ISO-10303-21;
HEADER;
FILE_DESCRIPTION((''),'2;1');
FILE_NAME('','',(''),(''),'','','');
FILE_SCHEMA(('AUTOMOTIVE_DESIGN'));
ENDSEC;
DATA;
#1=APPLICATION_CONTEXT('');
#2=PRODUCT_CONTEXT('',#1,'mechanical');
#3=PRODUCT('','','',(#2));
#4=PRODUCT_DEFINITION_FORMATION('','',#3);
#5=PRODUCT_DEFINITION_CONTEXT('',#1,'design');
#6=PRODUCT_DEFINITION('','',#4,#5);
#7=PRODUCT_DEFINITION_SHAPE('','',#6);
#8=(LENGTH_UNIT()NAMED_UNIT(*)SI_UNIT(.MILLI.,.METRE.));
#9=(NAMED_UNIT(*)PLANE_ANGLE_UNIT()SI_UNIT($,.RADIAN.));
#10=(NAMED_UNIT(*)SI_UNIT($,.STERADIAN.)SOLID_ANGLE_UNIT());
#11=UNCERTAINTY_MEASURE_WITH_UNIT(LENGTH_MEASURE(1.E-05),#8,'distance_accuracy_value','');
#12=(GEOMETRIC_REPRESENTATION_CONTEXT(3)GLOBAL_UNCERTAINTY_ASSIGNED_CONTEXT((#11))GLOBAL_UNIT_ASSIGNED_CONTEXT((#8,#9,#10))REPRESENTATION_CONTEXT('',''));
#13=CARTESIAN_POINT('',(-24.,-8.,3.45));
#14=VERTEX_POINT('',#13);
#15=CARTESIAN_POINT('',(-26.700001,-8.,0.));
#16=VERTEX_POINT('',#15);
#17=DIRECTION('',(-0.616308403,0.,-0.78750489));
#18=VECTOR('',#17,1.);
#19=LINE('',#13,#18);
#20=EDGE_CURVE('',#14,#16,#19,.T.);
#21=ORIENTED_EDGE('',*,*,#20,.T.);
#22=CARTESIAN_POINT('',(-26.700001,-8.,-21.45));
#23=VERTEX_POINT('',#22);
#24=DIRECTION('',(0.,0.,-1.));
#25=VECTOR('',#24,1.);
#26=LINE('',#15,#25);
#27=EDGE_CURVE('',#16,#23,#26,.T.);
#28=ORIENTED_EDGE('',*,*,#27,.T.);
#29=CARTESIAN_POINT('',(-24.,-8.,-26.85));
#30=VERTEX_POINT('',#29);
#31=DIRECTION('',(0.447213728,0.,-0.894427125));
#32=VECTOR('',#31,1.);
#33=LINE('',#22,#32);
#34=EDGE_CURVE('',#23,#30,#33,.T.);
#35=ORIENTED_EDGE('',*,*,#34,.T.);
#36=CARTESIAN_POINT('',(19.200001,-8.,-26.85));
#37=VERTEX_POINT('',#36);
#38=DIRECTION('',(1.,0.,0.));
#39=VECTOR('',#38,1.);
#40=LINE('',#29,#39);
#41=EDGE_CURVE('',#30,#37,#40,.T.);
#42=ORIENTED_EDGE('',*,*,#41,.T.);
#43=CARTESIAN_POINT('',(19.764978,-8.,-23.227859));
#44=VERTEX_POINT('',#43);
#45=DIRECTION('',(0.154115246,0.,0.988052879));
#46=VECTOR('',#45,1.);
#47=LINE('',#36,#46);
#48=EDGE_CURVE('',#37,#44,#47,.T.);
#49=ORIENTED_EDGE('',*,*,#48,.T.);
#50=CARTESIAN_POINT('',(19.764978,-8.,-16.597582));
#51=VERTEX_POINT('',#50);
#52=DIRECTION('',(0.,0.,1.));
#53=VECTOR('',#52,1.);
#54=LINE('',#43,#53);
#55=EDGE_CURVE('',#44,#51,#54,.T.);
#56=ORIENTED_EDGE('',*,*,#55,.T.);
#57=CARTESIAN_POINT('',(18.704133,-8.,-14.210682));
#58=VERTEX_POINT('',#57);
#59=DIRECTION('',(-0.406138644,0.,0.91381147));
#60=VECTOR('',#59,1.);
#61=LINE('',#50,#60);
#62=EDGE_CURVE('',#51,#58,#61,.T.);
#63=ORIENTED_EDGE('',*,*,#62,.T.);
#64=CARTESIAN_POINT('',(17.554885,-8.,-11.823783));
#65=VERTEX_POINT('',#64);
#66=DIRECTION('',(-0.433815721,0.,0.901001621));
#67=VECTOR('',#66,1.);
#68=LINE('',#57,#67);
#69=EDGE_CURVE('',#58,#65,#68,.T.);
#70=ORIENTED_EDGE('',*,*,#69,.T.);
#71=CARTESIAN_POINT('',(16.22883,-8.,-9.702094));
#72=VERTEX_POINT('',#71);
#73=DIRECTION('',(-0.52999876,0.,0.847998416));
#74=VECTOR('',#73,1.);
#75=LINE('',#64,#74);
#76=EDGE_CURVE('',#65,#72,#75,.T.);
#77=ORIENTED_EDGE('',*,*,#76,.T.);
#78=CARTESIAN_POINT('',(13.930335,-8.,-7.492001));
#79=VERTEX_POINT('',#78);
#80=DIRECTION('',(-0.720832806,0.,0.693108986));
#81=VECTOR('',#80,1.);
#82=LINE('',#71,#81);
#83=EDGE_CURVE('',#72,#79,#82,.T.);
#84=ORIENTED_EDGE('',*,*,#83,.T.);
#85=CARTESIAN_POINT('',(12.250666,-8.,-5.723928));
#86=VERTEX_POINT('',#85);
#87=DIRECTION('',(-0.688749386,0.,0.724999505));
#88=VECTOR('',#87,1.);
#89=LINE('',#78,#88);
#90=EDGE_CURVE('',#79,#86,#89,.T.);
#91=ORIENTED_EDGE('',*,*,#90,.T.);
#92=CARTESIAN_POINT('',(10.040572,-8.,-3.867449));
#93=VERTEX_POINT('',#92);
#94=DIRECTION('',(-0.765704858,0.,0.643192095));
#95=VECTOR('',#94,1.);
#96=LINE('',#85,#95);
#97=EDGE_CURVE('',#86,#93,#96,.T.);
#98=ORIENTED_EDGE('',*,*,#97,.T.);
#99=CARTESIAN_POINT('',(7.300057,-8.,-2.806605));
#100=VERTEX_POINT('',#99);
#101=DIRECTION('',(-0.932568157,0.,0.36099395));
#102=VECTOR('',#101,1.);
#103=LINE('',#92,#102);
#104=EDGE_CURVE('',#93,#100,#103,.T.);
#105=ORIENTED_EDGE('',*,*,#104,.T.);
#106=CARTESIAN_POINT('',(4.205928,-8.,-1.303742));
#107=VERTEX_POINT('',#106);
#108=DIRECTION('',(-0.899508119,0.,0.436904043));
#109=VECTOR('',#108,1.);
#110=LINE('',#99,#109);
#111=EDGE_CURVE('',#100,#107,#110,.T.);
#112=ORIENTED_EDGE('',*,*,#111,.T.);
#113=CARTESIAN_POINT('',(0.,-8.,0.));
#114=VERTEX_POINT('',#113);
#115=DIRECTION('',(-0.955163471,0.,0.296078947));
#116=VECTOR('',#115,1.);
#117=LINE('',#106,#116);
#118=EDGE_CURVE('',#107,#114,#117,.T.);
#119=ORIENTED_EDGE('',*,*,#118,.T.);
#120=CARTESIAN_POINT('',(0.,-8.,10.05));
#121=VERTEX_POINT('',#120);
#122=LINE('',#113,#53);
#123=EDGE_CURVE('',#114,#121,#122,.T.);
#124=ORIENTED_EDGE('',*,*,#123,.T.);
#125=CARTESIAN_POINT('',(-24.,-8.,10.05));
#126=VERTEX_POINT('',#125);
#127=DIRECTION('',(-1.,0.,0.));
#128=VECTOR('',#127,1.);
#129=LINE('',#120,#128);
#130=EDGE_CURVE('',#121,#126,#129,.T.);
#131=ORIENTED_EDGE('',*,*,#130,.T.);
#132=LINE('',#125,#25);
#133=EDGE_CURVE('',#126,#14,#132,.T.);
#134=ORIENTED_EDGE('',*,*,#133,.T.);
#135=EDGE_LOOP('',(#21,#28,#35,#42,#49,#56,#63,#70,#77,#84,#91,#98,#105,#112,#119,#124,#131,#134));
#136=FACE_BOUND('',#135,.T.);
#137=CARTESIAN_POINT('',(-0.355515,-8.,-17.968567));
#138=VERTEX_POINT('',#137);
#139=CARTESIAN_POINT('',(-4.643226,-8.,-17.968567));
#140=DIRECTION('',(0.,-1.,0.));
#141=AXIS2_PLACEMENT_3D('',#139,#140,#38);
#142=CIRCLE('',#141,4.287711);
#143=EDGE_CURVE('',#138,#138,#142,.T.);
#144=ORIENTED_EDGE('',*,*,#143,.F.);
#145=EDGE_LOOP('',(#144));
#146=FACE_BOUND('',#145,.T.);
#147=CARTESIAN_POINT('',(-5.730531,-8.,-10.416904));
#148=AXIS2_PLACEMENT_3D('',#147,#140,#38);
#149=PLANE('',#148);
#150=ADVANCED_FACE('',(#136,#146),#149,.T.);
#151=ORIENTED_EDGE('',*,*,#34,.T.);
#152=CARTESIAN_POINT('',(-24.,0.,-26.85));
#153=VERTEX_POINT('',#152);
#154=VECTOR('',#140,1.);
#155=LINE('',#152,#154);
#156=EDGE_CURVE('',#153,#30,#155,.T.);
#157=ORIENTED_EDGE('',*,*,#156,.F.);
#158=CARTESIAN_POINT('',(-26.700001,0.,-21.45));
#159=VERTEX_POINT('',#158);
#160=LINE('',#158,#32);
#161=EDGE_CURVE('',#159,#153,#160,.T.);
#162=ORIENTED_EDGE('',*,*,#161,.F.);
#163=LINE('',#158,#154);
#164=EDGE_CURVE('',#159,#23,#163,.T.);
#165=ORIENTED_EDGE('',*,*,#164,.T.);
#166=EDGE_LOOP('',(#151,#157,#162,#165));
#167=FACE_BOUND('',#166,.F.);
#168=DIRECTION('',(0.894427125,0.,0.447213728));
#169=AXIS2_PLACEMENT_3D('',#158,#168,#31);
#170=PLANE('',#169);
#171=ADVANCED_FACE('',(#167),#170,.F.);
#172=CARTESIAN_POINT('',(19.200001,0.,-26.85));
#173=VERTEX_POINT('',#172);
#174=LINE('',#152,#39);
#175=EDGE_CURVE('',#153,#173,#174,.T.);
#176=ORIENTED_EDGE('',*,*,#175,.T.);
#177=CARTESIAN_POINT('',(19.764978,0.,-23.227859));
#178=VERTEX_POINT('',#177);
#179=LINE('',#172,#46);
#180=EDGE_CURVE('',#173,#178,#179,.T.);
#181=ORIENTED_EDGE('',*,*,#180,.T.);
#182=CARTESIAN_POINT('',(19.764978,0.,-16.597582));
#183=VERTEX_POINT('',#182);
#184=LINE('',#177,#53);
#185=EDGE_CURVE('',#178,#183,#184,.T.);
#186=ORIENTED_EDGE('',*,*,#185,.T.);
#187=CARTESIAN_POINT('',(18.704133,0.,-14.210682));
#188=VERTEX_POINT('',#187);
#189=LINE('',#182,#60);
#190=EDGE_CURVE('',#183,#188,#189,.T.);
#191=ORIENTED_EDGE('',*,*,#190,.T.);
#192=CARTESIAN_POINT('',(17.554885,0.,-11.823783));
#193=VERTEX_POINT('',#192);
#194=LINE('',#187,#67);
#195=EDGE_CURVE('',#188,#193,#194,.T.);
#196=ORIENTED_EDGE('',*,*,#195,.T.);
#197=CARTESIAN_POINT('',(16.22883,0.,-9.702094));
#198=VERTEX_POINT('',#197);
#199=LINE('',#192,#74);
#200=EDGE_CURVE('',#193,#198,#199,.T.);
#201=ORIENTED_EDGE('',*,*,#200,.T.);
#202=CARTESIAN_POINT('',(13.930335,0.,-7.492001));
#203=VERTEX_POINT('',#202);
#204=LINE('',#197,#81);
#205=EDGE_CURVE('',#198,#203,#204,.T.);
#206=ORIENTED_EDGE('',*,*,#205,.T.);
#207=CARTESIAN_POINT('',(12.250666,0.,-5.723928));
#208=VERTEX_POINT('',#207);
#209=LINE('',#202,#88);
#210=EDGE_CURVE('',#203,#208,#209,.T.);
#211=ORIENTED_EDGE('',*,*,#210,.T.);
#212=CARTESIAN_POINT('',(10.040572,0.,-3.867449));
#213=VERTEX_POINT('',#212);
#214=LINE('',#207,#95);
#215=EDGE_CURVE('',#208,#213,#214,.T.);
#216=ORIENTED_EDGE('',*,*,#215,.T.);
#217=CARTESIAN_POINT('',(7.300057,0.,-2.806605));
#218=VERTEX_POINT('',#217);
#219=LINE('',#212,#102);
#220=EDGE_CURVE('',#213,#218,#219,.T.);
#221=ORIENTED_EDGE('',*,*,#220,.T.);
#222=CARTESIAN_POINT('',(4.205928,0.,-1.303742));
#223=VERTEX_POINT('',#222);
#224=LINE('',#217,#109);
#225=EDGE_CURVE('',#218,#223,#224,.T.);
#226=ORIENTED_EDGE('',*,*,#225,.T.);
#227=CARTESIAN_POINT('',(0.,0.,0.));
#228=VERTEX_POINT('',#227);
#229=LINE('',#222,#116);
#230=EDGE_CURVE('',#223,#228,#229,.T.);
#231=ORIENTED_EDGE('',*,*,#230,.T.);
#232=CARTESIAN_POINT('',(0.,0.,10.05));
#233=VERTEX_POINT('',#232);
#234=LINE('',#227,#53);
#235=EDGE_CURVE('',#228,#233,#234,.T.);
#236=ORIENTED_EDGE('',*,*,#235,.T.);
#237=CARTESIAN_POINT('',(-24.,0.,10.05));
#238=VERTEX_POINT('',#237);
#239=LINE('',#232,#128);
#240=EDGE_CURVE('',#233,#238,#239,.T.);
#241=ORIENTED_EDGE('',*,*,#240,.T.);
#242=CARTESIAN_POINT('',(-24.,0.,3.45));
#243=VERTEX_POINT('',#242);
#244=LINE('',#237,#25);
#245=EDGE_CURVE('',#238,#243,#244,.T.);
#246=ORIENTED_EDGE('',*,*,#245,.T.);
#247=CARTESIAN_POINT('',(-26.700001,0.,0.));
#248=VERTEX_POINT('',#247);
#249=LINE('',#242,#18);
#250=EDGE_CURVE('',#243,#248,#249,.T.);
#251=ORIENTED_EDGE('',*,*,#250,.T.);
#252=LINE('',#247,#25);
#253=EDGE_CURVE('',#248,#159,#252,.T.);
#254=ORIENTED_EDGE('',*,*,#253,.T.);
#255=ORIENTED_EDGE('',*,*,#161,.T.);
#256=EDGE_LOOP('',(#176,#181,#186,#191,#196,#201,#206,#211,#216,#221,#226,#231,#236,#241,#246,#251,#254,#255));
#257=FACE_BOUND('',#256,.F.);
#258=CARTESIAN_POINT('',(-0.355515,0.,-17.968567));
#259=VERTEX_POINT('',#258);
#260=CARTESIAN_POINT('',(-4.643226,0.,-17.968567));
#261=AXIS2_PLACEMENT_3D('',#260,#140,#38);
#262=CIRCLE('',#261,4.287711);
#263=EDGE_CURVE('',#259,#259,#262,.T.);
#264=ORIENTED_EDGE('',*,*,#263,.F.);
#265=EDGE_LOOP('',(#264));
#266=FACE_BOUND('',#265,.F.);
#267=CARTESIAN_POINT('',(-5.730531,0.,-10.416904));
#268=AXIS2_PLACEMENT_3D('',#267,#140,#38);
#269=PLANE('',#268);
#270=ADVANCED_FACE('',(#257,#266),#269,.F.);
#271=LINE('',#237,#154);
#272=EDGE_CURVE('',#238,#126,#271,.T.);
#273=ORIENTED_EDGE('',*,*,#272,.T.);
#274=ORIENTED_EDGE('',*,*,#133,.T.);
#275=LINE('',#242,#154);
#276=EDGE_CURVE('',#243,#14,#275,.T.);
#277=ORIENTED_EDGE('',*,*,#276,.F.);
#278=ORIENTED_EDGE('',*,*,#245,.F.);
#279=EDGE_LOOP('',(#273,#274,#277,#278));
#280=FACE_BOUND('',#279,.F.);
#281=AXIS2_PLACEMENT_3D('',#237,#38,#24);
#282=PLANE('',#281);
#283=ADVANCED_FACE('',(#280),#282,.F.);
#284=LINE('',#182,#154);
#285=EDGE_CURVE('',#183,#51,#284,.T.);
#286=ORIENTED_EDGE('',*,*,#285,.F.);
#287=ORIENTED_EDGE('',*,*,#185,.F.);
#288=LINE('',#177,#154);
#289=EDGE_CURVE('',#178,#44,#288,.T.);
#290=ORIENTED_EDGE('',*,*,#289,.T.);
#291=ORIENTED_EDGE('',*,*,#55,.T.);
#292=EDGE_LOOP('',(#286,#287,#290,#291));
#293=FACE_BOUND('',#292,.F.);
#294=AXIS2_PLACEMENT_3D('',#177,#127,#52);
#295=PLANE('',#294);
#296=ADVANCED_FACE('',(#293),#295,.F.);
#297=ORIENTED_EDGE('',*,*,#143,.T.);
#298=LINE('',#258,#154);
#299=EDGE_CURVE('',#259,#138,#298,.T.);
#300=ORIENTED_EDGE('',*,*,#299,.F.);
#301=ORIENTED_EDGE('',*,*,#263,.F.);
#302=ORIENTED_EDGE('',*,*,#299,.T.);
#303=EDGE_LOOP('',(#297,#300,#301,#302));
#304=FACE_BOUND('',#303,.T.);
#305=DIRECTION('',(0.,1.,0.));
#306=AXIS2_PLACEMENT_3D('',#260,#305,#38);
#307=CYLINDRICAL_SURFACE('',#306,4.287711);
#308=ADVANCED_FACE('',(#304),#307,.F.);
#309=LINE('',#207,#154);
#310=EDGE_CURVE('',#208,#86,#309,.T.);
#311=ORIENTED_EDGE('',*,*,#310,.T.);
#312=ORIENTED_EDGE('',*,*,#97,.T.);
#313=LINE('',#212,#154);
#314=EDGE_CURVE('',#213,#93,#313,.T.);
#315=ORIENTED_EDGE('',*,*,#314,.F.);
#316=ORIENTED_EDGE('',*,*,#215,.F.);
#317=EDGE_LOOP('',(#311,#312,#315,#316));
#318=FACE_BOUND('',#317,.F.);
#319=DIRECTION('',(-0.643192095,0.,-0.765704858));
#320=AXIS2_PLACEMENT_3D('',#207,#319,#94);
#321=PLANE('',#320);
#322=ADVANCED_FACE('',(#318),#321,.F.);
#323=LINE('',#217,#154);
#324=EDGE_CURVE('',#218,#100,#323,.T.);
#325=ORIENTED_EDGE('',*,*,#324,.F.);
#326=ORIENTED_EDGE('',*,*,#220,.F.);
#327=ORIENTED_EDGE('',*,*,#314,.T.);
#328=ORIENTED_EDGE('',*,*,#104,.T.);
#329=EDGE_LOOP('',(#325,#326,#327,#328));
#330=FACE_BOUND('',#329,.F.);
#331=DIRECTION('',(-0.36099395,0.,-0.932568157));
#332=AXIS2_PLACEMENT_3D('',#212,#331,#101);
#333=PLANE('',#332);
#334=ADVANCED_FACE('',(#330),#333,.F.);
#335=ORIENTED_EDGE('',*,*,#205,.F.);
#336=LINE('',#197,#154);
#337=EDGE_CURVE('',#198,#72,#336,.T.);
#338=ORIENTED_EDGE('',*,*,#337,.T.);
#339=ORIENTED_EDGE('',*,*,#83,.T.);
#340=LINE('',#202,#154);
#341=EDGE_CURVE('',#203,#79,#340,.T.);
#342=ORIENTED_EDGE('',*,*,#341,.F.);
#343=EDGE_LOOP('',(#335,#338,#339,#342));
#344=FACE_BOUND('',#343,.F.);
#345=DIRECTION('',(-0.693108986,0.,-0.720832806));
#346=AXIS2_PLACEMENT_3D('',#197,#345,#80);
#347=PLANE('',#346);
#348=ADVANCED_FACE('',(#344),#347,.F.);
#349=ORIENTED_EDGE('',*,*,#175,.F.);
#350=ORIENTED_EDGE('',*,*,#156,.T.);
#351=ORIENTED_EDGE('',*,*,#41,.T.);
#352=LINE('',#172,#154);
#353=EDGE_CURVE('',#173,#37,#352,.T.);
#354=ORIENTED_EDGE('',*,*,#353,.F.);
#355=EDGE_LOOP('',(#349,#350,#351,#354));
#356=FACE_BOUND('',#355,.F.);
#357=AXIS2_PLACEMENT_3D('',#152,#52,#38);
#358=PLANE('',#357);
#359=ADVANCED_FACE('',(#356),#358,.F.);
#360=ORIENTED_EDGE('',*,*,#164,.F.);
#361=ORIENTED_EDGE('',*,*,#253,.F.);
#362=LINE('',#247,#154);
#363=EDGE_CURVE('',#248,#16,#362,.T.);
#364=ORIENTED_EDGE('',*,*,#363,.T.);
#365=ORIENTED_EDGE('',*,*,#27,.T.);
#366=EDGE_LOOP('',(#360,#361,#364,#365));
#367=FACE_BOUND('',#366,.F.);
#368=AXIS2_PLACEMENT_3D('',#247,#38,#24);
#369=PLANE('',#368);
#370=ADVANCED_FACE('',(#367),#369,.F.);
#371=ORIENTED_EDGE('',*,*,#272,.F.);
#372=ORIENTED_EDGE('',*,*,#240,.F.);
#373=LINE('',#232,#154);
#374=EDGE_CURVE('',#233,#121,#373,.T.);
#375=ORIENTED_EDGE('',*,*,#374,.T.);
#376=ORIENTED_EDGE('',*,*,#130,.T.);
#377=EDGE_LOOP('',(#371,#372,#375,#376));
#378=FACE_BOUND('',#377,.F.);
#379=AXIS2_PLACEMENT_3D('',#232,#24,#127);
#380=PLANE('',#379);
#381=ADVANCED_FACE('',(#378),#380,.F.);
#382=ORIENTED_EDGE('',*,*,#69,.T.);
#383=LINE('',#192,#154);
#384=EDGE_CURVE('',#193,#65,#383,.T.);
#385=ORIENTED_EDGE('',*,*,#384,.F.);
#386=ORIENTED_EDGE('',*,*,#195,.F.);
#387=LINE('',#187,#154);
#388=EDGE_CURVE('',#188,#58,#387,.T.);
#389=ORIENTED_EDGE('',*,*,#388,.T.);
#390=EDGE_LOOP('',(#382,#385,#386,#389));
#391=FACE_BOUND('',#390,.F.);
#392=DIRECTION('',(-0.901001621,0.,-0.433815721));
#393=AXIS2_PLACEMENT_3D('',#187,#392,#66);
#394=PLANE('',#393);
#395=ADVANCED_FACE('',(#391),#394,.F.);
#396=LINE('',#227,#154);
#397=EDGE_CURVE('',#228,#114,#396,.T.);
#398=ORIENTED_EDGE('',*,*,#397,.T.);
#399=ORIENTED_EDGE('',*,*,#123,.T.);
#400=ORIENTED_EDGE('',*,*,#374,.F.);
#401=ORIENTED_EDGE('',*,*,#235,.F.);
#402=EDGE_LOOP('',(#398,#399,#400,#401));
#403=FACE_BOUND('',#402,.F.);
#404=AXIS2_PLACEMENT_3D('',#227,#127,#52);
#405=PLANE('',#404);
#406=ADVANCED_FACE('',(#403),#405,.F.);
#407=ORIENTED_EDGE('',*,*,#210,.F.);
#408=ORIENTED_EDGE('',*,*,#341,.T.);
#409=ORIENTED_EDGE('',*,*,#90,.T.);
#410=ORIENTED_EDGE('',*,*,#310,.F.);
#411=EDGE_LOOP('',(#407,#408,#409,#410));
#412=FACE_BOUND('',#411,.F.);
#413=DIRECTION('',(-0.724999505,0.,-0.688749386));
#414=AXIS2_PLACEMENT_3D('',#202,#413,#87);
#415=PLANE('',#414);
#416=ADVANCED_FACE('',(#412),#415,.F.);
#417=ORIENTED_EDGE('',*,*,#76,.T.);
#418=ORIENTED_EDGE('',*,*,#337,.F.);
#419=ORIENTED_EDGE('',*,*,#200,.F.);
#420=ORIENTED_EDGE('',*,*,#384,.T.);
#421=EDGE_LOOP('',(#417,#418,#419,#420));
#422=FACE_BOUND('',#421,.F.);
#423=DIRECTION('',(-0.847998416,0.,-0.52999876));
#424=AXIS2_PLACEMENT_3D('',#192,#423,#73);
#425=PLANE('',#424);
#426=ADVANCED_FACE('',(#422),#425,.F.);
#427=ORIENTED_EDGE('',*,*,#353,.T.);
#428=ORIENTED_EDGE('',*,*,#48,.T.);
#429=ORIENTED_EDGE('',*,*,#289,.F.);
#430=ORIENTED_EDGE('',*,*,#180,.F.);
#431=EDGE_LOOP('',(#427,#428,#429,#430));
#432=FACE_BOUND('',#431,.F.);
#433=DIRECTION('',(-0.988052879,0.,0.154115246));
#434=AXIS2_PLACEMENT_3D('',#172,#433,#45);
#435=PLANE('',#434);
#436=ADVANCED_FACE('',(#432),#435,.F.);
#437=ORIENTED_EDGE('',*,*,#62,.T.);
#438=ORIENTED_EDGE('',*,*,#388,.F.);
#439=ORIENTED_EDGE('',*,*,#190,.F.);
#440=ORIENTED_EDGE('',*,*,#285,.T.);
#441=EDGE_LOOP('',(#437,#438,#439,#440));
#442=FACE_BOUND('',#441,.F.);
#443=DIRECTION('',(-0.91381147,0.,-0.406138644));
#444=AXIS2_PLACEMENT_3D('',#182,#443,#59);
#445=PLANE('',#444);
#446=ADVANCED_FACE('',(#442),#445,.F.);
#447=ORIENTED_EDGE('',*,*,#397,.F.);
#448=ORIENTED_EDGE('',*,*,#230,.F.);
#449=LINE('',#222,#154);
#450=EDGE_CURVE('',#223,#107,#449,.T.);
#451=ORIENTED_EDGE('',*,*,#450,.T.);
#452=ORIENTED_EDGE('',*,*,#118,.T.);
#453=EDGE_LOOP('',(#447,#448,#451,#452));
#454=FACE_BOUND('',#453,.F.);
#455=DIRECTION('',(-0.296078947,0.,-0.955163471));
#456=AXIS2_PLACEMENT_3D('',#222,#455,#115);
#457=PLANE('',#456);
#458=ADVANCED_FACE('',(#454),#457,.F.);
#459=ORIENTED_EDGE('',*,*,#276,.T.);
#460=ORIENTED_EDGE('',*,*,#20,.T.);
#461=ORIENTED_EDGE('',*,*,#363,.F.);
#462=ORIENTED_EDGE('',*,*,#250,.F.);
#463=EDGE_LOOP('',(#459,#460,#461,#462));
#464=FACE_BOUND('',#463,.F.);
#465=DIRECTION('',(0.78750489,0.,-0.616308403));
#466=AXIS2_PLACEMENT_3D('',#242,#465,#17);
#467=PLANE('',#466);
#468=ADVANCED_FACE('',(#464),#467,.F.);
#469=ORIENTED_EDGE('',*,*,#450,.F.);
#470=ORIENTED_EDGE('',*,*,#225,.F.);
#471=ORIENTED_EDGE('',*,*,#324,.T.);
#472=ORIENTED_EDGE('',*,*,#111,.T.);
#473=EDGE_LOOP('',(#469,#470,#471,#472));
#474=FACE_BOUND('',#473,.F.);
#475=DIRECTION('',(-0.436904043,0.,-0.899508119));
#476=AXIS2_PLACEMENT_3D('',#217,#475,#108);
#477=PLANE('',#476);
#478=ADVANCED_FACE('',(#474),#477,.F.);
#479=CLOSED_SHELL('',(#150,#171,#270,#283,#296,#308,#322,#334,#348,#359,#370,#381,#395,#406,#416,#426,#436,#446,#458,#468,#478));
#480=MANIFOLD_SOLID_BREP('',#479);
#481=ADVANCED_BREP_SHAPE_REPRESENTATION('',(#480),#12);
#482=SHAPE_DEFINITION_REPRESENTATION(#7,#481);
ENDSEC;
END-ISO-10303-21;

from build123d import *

# Parameters (mm, degrees)
F0_R     = 4.287711
F1_DEPTH = 8


with BuildPart() as f1:
    # F0 (on Front) → F1 (new body)
    with BuildSketch(Plane.XZ):
        Polygon((-26.700001, -21.45), (-24, -26.85), (19.200001, -26.85), (19.764978, -23.227859), (19.764978, -19.868519), (19.764978, -16.597582), (18.704133, -14.210682), (17.554885, -11.823783), (16.22883, -9.702094), (13.930335, -7.492001), (12.250666, -5.723928), (10.040572, -3.867449), (7.300057, -2.806605), (4.205928, -1.303742), (0, 0), (0, 10.05), (-24, 10.05), (-24, 3.45), (-26.700001, 0), align=None)
        with Locations((-4.643226, -17.968567)):
            Circle(F0_R, mode=Mode.SUBTRACT)
    extrude(amount=F1_DEPTH)


solid = f1.part
